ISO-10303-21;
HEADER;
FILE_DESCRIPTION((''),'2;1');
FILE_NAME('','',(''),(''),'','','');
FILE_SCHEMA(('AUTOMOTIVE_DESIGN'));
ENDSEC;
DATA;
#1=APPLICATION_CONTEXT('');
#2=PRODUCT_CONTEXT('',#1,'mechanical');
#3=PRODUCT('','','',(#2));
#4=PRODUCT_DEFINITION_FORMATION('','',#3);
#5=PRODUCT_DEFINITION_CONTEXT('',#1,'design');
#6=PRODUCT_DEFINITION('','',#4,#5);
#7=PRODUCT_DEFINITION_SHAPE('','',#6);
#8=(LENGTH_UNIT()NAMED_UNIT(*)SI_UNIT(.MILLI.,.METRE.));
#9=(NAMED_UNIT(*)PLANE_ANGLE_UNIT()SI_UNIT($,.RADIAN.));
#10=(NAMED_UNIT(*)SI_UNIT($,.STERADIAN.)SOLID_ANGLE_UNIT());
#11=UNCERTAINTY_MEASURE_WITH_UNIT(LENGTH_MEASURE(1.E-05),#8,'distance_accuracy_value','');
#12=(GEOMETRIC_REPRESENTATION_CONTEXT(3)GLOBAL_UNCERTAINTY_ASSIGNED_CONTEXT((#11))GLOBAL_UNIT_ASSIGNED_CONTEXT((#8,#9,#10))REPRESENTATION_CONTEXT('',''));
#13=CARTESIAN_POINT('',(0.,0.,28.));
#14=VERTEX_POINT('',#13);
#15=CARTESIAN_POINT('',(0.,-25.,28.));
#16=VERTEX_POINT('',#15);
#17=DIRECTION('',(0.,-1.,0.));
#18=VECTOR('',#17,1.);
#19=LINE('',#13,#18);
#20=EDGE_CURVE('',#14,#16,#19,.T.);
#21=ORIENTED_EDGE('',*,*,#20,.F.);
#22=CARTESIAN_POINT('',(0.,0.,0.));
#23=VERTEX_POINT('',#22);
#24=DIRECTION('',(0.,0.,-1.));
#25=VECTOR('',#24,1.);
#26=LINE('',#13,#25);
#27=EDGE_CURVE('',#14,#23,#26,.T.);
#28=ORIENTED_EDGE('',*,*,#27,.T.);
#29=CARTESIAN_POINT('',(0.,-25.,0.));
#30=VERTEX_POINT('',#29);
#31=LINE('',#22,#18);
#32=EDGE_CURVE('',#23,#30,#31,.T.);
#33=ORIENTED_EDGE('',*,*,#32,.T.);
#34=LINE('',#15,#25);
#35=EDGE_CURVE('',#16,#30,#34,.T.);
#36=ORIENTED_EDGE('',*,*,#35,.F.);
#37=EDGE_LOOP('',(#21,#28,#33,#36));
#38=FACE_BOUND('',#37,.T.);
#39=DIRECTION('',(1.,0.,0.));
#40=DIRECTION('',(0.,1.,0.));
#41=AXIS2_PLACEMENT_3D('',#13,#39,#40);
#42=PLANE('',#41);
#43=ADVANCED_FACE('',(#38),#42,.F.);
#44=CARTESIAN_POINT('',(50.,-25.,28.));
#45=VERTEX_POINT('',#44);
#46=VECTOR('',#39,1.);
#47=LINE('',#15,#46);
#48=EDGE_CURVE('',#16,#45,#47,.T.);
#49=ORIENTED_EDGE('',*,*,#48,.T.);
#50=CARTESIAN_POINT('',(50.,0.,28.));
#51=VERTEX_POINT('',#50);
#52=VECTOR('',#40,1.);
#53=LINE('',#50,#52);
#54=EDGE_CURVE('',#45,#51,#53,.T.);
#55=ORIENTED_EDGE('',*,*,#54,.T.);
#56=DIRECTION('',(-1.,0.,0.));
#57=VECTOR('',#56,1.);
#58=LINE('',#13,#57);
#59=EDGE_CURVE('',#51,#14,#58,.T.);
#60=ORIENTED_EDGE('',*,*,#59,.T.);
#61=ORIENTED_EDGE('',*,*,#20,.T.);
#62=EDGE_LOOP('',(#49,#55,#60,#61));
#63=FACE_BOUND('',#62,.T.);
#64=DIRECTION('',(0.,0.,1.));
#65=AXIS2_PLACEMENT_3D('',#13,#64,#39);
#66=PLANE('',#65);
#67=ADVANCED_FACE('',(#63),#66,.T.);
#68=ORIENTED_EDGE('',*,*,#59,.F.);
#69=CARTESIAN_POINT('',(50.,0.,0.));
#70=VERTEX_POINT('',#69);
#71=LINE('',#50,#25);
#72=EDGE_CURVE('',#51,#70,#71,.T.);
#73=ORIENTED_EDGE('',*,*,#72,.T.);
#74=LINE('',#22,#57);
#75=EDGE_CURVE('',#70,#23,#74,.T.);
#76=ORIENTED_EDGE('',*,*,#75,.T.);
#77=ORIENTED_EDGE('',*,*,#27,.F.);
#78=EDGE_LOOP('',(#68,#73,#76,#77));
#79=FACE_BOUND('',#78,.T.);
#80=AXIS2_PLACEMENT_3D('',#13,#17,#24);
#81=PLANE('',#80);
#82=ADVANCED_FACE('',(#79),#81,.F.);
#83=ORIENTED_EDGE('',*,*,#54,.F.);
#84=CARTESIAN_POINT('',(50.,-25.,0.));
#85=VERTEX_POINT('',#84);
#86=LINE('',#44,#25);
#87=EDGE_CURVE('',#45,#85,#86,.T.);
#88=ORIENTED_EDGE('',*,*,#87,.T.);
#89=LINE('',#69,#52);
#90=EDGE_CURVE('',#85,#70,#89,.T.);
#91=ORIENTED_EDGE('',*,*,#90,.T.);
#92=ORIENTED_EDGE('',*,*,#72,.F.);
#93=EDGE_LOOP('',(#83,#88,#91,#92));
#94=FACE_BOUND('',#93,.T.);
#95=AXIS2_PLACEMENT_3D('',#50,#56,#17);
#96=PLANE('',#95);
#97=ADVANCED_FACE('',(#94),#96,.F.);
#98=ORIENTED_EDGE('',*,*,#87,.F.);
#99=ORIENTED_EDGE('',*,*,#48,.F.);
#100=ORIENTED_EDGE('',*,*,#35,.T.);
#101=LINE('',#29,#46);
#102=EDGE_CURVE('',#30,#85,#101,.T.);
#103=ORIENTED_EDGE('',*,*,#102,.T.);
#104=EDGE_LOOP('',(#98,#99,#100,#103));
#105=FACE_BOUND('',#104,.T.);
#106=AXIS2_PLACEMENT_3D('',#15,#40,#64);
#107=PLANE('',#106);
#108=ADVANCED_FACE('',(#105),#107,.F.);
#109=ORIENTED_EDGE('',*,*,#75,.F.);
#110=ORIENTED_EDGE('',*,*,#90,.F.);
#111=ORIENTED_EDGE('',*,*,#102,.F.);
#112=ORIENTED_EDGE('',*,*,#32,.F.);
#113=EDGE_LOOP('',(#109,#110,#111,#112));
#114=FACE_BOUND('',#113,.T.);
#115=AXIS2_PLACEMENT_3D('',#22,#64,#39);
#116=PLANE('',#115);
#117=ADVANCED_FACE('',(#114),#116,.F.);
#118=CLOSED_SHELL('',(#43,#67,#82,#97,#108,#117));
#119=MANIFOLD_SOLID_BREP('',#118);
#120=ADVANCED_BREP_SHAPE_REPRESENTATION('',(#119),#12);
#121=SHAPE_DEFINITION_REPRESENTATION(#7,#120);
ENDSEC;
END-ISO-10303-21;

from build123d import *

# Parameters (mm, degrees)
SKETCH1_W           = 50
SKETCH1_H           = 25
BOSS_EXTRUDE1_DEPTH = 28


with BuildPart() as part:
    # Sketch1 → Boss-Extrude1 (new body)
    with BuildSketch(Plane.XY):
        with Locations((25, -12.5)):
            Rectangle(SKETCH1_W, SKETCH1_H)
    extrude(amount=BOSS_EXTRUDE1_DEPTH)


solid = part.part
